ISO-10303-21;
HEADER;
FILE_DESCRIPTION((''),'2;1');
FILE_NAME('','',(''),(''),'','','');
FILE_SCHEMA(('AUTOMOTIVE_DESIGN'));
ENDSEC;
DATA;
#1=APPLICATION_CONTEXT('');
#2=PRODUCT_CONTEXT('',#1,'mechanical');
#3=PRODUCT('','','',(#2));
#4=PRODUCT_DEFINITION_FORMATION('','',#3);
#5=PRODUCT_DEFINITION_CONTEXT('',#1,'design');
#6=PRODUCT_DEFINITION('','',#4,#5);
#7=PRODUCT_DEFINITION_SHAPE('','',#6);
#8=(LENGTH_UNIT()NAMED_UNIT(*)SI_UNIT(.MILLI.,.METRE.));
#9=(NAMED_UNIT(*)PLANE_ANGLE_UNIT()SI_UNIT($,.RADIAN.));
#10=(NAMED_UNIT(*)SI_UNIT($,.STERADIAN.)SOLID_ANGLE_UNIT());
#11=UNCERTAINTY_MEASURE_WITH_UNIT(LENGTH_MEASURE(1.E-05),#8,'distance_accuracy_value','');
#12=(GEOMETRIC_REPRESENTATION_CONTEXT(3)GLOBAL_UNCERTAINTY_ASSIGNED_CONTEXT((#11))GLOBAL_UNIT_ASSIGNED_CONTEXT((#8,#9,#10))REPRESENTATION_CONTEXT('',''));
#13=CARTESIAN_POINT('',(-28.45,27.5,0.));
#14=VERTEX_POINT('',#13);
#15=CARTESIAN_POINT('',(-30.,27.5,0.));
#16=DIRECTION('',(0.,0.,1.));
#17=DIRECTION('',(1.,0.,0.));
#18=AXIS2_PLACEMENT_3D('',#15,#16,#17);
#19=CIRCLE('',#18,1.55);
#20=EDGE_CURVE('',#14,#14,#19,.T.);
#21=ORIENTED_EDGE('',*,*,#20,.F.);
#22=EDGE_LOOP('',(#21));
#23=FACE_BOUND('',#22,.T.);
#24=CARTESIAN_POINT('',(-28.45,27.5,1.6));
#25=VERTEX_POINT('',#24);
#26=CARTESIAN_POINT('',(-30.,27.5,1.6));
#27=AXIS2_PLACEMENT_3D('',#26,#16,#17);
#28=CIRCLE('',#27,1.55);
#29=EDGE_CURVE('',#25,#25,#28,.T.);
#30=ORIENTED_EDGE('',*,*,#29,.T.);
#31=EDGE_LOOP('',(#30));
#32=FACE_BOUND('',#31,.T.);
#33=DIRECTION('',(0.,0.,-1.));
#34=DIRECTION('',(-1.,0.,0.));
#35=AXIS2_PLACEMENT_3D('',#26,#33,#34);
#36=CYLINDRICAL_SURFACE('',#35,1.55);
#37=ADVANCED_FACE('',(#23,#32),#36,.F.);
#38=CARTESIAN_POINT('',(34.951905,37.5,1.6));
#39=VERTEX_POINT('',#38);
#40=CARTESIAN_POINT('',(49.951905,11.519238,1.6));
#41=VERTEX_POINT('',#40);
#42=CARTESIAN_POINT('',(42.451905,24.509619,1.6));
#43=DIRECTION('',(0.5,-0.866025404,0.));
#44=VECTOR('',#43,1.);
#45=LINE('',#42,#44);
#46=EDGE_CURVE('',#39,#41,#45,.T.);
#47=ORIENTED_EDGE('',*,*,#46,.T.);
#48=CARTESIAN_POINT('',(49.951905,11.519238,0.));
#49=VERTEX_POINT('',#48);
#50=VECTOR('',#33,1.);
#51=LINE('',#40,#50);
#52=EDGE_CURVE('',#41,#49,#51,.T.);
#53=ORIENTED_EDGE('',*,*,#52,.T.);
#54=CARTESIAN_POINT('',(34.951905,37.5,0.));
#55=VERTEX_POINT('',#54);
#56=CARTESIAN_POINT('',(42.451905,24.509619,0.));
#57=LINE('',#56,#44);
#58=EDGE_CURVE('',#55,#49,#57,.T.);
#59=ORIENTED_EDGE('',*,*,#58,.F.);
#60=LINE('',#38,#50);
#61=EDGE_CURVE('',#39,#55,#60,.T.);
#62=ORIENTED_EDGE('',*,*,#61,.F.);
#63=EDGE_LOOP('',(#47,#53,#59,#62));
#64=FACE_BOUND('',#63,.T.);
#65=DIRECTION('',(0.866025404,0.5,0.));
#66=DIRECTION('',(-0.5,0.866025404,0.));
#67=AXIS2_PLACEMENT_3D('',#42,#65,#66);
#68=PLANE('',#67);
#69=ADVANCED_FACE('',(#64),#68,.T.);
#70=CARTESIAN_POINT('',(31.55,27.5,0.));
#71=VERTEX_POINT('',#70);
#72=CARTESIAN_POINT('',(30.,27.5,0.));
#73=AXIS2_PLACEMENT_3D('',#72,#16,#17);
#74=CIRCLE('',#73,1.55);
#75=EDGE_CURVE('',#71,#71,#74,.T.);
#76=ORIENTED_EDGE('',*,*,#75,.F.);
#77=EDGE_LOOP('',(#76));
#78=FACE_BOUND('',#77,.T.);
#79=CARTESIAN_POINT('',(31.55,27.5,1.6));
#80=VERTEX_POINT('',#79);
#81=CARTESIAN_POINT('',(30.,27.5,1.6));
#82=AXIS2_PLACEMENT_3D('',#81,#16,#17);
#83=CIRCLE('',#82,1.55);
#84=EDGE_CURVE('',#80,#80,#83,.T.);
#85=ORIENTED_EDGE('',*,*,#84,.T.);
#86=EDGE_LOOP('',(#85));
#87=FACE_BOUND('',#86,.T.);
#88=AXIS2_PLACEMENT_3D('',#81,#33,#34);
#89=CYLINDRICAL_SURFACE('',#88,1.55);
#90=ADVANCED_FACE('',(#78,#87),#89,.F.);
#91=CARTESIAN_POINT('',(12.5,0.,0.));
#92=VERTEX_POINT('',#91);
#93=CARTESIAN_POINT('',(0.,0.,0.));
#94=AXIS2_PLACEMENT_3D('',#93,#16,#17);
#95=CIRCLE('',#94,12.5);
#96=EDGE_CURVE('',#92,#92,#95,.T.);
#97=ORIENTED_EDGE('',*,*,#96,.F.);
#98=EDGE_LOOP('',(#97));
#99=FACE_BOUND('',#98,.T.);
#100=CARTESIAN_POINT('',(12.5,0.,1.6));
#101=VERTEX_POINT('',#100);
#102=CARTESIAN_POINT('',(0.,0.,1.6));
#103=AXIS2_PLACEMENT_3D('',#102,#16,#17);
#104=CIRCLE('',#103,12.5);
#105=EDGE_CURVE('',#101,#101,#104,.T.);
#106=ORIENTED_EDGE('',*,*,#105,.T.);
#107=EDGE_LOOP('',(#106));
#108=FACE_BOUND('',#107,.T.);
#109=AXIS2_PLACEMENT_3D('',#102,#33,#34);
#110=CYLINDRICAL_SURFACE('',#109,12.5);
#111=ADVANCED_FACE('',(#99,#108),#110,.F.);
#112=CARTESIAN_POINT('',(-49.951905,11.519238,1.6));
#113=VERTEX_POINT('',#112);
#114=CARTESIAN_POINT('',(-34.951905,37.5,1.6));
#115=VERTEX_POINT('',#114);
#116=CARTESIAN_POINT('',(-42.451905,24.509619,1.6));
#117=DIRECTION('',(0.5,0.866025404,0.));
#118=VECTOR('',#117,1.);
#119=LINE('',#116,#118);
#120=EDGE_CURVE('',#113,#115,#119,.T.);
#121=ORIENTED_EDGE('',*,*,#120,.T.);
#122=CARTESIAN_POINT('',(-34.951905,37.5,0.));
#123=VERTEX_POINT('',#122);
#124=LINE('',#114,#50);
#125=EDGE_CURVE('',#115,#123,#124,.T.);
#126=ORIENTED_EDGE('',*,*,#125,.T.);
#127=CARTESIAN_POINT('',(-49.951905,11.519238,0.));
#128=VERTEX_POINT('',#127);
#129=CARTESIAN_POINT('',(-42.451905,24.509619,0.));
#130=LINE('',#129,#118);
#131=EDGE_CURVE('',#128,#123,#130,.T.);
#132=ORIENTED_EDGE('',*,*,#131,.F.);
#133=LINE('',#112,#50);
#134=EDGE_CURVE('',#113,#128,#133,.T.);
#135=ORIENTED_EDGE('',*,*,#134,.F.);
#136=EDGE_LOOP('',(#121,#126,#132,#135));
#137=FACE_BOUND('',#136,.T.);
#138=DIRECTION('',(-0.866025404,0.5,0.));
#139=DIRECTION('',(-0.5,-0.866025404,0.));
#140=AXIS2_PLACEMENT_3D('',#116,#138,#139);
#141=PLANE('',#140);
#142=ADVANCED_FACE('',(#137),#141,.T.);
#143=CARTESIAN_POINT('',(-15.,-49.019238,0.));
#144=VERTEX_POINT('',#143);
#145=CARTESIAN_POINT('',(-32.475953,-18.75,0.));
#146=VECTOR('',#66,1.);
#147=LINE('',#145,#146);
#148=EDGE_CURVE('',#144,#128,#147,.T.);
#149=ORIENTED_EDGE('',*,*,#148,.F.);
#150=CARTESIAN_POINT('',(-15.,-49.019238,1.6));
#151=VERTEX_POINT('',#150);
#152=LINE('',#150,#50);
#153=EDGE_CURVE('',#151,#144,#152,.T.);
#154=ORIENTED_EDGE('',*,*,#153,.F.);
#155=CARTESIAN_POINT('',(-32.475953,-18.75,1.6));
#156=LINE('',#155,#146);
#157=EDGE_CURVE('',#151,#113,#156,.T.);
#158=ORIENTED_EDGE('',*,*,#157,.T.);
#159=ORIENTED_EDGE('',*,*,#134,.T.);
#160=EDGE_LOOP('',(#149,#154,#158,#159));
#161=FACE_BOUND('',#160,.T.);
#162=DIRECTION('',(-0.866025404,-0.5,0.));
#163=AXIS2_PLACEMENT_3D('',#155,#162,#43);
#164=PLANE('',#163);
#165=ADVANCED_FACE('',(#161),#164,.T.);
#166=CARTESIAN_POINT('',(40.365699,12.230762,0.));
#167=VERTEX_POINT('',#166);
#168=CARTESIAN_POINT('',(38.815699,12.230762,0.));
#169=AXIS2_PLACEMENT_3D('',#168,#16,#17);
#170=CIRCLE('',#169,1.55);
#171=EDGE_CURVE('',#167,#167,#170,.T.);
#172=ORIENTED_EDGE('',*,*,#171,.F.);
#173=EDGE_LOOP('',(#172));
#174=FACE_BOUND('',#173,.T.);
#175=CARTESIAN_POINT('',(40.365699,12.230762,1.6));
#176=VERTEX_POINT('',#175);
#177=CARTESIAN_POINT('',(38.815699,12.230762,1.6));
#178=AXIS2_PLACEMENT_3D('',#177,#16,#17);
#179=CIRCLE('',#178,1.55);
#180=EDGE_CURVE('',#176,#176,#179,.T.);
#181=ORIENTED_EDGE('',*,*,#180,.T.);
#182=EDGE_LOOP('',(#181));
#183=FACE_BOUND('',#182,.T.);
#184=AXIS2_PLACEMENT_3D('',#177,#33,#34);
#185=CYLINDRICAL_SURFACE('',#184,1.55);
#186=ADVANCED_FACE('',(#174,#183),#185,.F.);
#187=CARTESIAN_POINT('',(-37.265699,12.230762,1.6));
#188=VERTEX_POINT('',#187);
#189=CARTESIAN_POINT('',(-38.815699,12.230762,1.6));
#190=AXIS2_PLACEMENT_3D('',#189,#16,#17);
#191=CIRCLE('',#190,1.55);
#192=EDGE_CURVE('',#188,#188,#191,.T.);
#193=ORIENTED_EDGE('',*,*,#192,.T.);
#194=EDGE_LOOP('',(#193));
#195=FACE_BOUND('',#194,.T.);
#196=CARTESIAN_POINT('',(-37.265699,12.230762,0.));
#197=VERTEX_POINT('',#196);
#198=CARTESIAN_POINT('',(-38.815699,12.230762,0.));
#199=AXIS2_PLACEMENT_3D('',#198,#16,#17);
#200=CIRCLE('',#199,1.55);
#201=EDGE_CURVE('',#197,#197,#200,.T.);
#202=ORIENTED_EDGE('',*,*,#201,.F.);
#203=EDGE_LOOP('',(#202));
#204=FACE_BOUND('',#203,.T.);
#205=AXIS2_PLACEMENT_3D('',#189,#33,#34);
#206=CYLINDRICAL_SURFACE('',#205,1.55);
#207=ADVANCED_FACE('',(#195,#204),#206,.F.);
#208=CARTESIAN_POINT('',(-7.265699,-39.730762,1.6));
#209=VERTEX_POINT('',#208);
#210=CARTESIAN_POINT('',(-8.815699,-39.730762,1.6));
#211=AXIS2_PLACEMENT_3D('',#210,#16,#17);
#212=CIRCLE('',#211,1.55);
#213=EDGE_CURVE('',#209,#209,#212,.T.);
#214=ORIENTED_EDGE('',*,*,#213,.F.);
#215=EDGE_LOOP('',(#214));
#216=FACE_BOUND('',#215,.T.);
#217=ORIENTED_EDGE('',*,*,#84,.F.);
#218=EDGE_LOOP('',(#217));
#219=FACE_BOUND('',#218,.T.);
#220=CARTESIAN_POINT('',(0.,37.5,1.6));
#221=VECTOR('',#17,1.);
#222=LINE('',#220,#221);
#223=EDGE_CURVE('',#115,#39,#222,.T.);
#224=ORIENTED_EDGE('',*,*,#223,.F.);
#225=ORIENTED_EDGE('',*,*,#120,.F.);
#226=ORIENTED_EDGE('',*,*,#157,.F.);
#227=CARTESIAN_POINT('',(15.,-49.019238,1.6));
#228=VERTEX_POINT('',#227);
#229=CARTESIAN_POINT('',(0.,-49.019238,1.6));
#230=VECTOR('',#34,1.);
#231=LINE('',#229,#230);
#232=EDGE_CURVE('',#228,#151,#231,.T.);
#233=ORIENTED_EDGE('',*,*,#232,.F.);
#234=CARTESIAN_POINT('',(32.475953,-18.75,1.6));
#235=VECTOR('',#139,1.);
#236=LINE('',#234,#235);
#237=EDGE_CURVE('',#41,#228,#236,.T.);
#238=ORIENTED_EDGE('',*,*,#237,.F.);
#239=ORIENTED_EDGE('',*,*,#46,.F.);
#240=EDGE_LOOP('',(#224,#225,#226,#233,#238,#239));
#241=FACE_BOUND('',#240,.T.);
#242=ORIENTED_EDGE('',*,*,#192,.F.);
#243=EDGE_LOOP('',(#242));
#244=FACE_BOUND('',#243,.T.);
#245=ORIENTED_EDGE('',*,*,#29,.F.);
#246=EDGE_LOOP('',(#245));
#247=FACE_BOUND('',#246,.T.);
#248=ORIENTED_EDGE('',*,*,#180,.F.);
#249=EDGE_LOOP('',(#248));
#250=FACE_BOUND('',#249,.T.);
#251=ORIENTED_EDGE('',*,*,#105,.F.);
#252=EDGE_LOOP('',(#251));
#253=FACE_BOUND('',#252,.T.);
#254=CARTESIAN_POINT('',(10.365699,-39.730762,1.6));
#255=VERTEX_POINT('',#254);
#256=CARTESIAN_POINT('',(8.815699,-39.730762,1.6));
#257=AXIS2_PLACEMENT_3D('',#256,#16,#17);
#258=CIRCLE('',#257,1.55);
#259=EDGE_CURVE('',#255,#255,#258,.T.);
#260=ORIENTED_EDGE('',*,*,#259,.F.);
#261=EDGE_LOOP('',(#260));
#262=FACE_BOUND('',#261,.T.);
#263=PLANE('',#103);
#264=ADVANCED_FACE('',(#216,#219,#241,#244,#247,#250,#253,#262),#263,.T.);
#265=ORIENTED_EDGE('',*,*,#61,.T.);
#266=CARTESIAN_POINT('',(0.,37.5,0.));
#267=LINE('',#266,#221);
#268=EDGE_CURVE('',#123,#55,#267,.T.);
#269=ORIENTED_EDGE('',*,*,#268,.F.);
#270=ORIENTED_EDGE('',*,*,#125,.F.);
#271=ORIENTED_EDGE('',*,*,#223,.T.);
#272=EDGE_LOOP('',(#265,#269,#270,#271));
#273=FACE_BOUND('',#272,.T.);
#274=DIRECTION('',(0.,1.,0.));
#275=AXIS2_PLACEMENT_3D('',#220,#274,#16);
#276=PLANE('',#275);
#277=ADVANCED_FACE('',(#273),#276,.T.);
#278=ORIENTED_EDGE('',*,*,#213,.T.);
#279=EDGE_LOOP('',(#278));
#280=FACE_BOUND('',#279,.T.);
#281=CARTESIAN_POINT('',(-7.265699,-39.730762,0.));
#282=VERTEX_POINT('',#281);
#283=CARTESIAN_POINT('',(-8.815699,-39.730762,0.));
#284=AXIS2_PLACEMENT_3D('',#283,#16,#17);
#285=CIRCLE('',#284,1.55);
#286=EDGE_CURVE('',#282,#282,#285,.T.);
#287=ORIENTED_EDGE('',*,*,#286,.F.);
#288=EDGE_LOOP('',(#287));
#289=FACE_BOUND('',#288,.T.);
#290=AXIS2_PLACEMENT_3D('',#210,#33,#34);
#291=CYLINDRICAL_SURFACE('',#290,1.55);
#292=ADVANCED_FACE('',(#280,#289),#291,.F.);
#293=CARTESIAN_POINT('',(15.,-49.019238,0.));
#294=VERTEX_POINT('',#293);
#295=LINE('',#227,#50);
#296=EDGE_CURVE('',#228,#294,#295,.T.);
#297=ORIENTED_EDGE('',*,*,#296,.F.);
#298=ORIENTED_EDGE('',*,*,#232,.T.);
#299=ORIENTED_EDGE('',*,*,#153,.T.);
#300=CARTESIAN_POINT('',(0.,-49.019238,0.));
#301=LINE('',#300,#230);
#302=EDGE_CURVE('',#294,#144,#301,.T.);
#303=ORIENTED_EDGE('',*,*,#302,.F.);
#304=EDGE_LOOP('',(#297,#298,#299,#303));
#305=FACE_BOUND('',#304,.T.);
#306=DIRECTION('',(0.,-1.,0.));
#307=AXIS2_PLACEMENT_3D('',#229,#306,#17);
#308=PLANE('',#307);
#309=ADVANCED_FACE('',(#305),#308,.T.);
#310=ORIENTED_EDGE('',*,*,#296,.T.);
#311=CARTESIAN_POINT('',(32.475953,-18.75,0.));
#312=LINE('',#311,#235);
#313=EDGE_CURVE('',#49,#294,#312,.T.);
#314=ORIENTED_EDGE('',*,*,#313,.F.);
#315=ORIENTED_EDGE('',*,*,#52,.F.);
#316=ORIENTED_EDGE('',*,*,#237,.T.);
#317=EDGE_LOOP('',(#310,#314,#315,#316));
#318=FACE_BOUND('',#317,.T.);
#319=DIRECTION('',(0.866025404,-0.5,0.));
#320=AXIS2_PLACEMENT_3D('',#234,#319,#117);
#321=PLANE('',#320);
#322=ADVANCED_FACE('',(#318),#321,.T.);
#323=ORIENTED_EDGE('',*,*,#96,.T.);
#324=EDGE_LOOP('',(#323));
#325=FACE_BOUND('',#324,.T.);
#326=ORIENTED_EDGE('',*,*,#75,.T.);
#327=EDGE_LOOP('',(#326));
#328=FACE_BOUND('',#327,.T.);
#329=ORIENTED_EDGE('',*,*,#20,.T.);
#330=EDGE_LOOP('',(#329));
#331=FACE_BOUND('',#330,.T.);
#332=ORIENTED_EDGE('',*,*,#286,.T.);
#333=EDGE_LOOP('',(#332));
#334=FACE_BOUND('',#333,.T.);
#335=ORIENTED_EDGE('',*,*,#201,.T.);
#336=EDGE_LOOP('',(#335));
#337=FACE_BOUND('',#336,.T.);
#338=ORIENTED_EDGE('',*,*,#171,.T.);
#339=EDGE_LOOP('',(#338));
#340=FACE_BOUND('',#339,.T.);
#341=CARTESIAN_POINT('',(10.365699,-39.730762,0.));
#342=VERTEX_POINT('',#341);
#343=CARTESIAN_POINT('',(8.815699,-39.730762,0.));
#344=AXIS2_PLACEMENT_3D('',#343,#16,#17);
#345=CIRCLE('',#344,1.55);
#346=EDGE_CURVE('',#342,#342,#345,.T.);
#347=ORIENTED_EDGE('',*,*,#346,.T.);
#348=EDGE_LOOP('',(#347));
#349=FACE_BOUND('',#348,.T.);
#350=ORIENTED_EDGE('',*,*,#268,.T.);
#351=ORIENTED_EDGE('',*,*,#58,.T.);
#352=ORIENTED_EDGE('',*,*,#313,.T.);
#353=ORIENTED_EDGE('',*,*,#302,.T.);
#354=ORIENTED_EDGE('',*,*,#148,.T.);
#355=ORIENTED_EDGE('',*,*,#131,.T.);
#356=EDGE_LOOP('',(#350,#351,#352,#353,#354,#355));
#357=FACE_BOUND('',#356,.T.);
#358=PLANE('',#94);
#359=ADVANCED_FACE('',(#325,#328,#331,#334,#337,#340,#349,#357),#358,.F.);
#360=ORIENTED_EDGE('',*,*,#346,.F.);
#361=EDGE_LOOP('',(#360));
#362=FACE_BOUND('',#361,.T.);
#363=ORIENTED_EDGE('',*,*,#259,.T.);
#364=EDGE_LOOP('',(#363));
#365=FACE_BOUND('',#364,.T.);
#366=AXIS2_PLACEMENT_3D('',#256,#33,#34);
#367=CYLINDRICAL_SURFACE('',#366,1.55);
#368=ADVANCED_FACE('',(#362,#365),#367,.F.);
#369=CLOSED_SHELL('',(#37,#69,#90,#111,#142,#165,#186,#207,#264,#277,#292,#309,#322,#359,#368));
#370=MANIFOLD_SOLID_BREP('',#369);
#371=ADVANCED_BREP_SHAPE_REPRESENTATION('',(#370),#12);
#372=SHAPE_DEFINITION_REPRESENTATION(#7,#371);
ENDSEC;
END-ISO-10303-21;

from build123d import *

# Parameters (mm, degrees)
SKETCH1_R           = 1.55
SKETCH1_R_2         = 12.5
BOSS_EXTRUDE1_DEPTH = 1.6


with BuildPart() as part:
    # Sketch1 → Boss-Extrude1 (new body)
    with BuildSketch(Plane.XY):
        Polygon((-34.951905284, 37.5), (34.951905284, 37.5), (49.951905284, 11.519237886), (15, -49.019237886), (-15, -49.019237886), (-49.951905284, 11.519237886), align=None)
        with Locations((-30, 27.5)):
            Circle(SKETCH1_R, mode=Mode.SUBTRACT)
        with Locations((30, 27.5)):
            Circle(SKETCH1_R, mode=Mode.SUBTRACT)
        with Locations((38.815698604, 12.230762114)):
            Circle(SKETCH1_R, mode=Mode.SUBTRACT)
        with Locations((8.815698604, -39.730762114)):
            Circle(SKETCH1_R, mode=Mode.SUBTRACT)
        with Locations((-8.815698604, -39.730762114)):
            Circle(SKETCH1_R, mode=Mode.SUBTRACT)
        with Locations((-38.815698604, 12.230762114)):
            Circle(SKETCH1_R, mode=Mode.SUBTRACT)
        Circle(SKETCH1_R_2, mode=Mode.SUBTRACT)
    extrude(amount=BOSS_EXTRUDE1_DEPTH)


solid = part.part
